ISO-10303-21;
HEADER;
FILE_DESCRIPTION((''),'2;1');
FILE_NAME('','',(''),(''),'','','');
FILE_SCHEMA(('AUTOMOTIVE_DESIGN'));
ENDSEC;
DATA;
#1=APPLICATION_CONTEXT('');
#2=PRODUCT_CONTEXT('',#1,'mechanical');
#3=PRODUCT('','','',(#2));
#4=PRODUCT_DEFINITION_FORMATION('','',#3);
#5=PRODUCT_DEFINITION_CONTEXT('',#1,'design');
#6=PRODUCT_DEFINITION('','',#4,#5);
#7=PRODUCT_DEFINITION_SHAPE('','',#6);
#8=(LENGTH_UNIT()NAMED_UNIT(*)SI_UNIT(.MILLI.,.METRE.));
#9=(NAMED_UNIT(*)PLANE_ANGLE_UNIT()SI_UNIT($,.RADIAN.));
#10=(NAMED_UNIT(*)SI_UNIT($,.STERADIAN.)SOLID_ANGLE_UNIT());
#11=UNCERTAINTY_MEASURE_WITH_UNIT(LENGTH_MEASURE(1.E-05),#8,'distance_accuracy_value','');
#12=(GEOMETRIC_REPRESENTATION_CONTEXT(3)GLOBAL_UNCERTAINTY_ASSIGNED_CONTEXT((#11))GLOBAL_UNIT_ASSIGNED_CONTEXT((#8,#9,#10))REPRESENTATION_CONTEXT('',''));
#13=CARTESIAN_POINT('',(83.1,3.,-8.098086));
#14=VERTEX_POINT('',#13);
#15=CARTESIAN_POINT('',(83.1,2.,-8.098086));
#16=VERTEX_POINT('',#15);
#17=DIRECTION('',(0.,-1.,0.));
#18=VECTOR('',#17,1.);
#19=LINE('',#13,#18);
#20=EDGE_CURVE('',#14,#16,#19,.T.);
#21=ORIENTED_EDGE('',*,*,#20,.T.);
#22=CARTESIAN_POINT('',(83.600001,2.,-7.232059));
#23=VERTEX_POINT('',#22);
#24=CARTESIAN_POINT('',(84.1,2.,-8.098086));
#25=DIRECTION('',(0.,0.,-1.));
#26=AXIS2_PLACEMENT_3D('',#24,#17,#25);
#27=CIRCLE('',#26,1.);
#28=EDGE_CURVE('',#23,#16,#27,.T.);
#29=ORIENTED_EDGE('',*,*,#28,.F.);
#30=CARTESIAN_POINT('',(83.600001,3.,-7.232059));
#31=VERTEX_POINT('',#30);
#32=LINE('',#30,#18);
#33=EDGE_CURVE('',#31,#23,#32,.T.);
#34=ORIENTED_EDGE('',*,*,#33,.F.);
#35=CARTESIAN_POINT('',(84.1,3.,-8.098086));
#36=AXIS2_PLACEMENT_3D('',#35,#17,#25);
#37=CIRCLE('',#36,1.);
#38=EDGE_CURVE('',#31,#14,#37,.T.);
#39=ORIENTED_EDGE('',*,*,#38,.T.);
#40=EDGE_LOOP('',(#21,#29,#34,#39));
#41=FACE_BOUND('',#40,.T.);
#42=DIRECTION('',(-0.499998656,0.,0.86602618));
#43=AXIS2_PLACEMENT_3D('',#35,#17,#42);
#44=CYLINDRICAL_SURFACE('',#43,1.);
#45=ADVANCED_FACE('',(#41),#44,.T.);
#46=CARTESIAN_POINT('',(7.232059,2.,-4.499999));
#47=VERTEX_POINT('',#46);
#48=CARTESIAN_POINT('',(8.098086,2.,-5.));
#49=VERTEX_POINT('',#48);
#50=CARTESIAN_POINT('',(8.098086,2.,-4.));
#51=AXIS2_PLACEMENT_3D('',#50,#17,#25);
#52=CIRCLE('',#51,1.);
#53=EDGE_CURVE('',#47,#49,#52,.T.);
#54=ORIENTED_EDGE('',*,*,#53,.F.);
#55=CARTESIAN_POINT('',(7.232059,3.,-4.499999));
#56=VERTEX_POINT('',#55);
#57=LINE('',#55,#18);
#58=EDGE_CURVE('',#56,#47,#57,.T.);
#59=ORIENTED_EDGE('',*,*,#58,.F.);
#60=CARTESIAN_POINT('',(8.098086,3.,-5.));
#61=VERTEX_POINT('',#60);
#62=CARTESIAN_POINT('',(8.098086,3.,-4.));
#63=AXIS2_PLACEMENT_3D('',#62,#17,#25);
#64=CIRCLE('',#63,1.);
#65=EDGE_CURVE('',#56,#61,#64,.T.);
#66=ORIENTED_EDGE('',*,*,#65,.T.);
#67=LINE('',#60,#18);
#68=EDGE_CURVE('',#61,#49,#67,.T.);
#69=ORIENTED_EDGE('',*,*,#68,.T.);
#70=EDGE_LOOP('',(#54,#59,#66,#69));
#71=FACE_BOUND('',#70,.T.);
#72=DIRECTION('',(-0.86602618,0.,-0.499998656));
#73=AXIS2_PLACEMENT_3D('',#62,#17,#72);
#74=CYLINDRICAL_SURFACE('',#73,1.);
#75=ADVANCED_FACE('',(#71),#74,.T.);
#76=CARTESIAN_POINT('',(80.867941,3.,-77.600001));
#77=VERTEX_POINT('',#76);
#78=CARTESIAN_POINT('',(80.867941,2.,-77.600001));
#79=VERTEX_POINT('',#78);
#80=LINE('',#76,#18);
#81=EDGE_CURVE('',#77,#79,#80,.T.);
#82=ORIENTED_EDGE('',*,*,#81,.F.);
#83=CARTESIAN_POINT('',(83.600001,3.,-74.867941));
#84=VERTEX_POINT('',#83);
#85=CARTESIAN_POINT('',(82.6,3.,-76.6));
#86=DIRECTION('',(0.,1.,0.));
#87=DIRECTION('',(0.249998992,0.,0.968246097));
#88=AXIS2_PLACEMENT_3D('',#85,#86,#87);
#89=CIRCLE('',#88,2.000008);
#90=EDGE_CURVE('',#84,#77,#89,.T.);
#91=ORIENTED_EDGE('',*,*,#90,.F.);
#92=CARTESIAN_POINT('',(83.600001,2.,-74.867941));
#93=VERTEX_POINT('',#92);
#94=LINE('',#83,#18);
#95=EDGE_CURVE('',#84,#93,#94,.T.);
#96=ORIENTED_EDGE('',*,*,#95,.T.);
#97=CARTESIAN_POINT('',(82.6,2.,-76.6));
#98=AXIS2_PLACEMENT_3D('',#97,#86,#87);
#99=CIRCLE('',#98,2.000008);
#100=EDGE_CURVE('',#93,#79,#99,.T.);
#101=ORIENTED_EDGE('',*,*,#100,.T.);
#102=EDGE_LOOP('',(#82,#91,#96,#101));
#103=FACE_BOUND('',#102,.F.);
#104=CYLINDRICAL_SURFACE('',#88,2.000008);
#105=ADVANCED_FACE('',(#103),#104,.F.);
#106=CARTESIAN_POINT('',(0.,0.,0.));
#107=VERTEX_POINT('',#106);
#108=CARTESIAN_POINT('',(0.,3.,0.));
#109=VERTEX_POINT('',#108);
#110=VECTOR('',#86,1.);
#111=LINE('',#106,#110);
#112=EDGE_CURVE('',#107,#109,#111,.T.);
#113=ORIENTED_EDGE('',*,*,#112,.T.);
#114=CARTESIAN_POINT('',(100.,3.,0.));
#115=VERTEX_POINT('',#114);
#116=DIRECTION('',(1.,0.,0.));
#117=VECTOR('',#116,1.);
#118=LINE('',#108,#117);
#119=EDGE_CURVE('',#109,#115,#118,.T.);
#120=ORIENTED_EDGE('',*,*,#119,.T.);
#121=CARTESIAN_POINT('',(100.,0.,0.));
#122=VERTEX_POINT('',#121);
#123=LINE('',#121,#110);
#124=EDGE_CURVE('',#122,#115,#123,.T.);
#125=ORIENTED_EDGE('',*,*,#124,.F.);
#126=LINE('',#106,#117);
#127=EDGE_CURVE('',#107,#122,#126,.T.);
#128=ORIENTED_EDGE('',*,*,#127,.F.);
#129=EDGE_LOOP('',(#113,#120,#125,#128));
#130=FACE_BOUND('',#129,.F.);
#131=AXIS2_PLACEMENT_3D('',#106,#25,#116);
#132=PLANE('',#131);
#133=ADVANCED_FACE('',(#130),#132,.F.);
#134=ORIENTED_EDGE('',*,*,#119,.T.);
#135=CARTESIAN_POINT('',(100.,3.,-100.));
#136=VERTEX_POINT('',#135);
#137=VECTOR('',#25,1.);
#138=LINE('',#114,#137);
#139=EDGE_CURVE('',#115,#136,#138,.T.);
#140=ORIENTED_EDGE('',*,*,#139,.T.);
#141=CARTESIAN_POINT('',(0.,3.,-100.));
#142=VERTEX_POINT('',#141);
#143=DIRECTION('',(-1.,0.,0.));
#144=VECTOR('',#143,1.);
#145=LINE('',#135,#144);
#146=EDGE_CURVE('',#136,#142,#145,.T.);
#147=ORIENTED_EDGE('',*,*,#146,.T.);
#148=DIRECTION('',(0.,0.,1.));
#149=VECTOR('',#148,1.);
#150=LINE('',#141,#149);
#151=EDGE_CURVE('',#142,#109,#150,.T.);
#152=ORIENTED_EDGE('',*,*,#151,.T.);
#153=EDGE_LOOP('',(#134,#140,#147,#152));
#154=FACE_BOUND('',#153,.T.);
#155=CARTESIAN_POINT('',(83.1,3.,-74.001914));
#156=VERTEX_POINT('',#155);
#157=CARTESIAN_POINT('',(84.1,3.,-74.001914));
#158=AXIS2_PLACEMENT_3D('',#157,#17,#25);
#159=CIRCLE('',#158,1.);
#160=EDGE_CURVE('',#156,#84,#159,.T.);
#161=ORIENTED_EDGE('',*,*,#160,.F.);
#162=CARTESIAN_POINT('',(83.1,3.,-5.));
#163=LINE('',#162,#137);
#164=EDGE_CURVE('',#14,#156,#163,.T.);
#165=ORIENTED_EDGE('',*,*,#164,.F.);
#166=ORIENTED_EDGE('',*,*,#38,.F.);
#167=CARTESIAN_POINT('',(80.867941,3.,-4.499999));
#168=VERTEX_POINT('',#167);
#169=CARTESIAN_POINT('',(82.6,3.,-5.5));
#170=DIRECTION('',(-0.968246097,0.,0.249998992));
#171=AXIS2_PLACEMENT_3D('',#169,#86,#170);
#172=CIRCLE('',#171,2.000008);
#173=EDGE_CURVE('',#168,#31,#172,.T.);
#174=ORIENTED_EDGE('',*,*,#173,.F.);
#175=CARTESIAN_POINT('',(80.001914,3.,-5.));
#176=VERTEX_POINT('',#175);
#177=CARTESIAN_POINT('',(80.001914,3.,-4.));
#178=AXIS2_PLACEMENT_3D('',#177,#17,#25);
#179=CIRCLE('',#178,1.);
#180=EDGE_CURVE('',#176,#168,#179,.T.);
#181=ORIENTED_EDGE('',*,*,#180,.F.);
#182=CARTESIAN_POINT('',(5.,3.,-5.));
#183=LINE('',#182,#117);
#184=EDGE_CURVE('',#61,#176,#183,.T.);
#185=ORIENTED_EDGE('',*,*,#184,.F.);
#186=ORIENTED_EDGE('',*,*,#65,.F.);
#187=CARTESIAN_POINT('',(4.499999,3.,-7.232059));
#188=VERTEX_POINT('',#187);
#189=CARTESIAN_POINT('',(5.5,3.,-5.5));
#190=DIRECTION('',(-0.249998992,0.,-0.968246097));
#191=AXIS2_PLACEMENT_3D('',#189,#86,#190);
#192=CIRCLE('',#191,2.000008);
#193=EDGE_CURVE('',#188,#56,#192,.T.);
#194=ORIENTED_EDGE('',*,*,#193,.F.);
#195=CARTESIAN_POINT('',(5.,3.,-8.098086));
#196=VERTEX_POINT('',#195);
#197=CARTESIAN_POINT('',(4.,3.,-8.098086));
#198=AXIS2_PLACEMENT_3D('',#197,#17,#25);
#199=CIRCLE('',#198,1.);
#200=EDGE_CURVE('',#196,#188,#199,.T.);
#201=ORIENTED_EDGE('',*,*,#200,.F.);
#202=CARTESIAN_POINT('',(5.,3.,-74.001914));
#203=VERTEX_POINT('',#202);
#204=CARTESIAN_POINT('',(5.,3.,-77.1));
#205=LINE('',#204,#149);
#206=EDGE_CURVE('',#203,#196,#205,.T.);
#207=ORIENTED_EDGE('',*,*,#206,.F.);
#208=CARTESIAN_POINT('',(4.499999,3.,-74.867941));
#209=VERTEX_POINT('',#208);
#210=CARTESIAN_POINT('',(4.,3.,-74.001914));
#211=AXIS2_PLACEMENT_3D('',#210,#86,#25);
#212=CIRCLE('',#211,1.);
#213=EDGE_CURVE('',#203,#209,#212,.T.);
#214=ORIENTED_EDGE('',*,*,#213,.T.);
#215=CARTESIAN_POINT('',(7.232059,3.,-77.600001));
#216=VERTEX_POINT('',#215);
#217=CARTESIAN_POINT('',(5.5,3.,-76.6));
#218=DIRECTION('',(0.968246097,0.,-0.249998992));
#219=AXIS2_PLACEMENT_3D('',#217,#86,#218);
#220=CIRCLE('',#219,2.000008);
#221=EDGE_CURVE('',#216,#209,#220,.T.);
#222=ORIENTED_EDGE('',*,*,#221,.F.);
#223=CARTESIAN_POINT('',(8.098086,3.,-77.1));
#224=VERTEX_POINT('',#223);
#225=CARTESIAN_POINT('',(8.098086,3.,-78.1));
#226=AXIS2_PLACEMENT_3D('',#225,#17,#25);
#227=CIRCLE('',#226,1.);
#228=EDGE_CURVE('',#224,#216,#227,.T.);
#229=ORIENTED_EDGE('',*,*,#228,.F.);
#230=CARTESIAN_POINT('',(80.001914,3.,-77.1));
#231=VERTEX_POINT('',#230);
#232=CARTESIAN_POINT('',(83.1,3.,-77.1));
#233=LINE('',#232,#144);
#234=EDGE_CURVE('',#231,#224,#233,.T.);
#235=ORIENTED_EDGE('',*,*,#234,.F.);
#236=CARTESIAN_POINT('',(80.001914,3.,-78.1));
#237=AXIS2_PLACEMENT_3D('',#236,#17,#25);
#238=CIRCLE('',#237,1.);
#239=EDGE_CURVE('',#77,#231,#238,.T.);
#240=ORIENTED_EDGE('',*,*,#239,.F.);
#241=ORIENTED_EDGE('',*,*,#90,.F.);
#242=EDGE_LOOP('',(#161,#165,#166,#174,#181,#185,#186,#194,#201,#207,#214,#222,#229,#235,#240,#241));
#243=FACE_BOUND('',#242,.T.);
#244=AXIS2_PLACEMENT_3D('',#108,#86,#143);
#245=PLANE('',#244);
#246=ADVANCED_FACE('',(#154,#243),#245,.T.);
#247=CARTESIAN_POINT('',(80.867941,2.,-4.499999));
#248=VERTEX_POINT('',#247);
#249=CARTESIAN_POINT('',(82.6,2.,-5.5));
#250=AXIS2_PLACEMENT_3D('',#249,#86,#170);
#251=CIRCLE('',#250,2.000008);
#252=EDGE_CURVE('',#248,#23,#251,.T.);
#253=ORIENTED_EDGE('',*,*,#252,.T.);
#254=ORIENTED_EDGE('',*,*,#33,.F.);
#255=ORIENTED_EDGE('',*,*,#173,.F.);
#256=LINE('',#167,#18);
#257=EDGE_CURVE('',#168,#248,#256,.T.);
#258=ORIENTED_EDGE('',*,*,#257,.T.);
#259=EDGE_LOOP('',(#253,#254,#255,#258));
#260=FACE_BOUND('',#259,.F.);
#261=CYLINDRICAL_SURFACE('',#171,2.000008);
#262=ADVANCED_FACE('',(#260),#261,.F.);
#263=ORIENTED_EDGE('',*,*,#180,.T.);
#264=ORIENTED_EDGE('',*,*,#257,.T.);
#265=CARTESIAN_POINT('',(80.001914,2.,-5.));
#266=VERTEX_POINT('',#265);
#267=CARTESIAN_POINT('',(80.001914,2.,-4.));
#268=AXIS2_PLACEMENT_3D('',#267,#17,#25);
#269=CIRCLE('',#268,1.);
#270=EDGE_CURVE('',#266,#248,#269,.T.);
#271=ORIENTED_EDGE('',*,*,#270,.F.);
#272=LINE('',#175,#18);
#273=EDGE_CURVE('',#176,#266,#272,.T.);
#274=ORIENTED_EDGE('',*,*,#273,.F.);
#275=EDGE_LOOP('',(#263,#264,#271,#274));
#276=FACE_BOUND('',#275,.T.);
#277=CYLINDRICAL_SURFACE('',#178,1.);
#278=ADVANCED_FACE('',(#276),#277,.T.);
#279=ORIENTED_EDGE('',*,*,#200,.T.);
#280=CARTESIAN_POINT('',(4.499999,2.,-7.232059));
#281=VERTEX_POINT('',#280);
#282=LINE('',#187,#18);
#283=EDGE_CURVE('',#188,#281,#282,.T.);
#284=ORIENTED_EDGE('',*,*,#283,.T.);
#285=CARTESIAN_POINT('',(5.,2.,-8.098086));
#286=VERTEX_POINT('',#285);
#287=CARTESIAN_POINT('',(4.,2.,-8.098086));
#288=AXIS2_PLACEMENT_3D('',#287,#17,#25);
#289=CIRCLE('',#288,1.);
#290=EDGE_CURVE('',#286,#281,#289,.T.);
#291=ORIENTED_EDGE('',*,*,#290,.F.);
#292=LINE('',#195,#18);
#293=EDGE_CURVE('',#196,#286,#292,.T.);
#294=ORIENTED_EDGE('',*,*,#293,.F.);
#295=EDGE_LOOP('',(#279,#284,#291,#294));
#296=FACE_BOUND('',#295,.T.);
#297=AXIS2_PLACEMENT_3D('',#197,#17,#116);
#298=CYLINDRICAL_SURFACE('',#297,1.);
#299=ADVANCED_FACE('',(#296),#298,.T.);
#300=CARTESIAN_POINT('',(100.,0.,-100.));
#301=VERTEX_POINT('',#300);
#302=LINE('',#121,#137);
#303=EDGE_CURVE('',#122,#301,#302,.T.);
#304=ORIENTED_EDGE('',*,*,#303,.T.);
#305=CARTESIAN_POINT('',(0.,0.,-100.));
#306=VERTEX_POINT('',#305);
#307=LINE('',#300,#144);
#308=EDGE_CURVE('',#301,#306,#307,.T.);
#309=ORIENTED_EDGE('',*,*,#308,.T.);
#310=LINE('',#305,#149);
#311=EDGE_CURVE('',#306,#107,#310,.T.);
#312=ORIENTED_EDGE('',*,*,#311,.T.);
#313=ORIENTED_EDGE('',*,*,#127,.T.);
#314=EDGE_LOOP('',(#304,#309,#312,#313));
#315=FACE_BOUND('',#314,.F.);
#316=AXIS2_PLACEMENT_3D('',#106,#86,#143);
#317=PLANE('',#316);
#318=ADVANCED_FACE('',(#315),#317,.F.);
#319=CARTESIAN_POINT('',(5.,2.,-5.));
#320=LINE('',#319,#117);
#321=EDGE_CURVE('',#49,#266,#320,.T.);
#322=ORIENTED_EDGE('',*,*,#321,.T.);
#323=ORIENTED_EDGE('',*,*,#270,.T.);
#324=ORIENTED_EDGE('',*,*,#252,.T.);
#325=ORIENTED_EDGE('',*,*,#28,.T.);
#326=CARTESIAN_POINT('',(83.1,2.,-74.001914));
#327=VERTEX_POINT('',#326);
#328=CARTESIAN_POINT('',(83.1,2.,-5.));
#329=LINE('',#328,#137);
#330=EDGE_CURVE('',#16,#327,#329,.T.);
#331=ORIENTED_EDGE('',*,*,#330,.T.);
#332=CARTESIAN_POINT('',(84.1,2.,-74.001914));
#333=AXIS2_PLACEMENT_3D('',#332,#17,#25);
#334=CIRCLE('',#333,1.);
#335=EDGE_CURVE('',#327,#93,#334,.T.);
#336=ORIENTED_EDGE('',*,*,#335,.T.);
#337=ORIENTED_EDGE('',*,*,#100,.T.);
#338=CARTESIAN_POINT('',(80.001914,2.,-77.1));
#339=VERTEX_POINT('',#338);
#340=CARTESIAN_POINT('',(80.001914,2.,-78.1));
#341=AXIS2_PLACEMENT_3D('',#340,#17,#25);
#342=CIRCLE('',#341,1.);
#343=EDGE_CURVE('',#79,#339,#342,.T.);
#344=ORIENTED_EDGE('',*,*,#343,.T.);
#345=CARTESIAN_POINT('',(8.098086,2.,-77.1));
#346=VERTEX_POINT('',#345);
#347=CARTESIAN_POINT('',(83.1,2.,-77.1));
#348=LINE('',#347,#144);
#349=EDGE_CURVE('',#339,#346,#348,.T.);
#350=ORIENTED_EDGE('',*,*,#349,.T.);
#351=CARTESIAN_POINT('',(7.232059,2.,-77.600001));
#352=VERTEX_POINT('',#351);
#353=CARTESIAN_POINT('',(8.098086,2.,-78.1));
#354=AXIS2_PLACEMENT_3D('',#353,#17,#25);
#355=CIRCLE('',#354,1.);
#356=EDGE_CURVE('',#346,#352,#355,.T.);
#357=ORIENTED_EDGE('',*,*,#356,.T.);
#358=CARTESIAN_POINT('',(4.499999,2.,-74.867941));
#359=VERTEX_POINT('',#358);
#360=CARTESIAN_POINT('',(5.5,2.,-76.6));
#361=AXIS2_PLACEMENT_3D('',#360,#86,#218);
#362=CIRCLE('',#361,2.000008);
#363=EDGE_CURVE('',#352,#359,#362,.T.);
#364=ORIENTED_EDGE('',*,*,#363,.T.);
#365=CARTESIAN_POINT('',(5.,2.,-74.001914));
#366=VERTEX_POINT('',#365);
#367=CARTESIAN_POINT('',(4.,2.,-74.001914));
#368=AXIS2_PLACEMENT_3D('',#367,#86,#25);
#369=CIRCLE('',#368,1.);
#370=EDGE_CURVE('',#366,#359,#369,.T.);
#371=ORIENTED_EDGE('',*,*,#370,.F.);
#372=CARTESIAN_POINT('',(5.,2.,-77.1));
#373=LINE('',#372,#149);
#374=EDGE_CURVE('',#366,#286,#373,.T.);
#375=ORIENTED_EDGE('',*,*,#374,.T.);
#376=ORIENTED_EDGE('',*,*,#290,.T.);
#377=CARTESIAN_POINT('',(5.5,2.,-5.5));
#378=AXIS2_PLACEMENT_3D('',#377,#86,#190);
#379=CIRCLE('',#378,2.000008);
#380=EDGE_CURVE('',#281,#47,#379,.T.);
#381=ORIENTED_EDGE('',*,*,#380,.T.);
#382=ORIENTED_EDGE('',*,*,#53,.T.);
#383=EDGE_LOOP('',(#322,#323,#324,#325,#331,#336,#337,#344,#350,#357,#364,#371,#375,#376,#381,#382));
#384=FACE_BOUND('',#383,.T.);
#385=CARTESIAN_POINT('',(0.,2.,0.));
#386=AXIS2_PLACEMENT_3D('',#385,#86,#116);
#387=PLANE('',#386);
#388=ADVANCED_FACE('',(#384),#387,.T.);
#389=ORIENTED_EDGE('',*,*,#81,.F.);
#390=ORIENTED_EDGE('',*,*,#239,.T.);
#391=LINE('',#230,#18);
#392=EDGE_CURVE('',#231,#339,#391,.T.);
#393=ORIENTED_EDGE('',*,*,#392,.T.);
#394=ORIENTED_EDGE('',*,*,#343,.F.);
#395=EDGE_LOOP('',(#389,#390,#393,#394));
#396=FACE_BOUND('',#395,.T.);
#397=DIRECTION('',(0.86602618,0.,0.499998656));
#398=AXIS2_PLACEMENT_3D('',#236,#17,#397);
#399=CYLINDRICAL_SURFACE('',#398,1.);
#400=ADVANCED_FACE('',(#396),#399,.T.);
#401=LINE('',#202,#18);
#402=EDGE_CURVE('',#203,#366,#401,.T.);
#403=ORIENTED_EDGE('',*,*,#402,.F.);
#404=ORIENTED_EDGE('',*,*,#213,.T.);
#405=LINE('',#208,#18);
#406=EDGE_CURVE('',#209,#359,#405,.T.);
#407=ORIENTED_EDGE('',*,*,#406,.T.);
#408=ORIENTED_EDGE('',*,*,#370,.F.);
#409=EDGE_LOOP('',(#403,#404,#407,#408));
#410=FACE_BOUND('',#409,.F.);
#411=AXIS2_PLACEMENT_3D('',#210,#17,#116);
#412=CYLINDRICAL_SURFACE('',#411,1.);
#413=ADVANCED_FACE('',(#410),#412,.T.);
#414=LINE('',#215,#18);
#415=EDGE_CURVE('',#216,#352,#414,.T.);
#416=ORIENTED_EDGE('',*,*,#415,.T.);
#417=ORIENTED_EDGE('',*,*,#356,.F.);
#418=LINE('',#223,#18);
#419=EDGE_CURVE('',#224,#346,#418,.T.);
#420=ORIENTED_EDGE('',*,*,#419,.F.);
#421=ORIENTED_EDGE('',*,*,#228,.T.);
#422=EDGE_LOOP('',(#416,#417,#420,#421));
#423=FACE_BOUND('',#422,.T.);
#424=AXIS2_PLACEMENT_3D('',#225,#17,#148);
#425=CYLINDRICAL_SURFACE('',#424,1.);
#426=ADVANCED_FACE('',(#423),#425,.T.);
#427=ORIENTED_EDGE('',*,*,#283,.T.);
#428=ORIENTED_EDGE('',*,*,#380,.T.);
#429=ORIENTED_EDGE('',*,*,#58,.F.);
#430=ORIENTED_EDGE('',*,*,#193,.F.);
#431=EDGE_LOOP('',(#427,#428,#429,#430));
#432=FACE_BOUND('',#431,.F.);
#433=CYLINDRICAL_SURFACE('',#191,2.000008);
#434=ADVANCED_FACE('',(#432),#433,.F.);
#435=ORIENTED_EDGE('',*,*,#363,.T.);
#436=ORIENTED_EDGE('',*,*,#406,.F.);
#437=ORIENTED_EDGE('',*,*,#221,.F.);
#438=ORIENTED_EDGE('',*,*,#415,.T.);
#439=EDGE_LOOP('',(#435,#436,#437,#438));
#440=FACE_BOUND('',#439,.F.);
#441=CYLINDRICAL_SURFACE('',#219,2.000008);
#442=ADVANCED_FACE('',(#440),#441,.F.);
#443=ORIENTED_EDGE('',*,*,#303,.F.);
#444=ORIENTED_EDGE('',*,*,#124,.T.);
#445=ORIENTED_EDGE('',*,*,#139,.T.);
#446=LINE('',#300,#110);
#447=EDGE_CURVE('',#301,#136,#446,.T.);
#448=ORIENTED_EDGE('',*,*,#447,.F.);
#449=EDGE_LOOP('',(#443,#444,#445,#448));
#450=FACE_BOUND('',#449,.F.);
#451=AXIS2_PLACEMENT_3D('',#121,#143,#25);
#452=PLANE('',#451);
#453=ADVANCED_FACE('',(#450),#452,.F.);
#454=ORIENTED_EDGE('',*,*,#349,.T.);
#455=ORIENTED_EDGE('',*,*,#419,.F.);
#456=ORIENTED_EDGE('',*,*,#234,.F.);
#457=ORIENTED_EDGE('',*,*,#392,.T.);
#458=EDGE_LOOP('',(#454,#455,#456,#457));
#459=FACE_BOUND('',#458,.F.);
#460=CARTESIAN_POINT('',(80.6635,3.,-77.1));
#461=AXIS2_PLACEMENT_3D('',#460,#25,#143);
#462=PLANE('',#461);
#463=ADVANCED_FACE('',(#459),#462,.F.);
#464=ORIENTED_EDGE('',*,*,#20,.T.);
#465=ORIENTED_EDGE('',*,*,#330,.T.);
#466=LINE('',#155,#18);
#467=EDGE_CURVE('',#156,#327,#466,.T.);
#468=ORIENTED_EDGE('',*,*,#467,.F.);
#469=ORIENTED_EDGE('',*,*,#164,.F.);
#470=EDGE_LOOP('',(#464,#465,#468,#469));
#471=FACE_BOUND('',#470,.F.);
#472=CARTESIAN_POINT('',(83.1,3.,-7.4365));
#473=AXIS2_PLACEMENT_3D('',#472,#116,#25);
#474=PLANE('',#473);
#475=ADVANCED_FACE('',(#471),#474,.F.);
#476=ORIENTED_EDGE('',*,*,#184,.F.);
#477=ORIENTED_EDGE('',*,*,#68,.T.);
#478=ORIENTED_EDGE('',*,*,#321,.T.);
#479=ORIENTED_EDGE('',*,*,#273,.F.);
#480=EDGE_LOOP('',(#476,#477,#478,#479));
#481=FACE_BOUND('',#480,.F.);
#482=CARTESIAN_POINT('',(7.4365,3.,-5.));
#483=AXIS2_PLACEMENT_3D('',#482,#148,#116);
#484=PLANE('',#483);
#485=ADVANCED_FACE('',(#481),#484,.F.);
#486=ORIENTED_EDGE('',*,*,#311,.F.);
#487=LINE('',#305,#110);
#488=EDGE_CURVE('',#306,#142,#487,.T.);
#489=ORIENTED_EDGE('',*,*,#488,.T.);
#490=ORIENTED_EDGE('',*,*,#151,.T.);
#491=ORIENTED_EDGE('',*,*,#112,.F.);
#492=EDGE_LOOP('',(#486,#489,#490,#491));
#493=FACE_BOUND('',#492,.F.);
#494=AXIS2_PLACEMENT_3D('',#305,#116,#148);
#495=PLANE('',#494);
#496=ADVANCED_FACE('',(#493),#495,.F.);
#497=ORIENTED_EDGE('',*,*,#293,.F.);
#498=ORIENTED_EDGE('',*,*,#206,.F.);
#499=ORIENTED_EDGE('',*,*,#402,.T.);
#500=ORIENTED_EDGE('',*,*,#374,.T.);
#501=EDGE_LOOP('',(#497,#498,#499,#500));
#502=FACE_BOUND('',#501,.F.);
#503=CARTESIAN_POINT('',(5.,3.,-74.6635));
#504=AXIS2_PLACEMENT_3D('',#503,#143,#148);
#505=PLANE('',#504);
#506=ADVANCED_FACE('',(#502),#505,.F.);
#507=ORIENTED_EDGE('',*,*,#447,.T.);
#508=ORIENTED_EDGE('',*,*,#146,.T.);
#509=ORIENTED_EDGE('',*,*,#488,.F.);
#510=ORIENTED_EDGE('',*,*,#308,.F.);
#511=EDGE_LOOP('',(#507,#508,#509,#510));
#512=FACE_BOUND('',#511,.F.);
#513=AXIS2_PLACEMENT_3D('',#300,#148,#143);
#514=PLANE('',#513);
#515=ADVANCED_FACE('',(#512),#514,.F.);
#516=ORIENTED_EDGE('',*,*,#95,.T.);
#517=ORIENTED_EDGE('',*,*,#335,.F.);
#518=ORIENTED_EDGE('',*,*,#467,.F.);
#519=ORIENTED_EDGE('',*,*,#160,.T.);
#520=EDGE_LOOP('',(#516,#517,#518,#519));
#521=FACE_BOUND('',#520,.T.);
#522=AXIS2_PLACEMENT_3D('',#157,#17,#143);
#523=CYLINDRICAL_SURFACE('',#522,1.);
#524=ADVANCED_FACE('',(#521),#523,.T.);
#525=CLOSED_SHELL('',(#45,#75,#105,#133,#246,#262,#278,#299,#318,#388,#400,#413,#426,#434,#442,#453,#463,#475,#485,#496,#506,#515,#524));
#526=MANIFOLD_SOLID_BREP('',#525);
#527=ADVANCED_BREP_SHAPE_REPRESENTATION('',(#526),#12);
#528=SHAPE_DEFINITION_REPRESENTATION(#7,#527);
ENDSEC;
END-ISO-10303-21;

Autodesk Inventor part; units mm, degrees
ref_plane "YZ Plane" through (0, 0, 0) normal (1, 0, 0) x (0, 1, 0)
ref_plane "XZ Plane" through (0, 0, 0) normal (0, 1, 0) x (-1, 0, 0)
ref_plane "XY Plane" through (0, 0, 0) normal (0, 0, 1) x (1, 0, 0)
sketch "Sketch1" plane through (0, 0, 0) normal (0, 1, 0) x (-1, 0, 0)
  line L0 (0, 0) -> (-100, 0)
  line L1 (-100, 0) -> (-100, -100)
  line L2 (-100, -100) -> (0, -100)
  line L3 (0, -100) -> (0, 0)
  dimension "d0" = 100
  dimension "d1" = 100
extrude "Extrusion1" add sketch "Sketch1" along normal blind 3
sketch "Sketch2" plane through (0, 3, 0) normal (0, 1, 0) x (1, 0, 0)
  line L0 (5, 5) -> (83.1, 5)
  line L1 (83.1, 5) -> (83.1, 77.1)
  line L2 (83.1, 77.1) -> (5, 77.1)
  line L3 (5, 77.1) -> (5, 5)
  line L4 (0, 0) -> (100, 0) projected
  line L5 (0, 100) -> (0, 0) projected
  arc A0 (5, 7.4365) -> (7.4365, 5) centre (5.5, 5.5) ccw
  line L6 (44.05, 77.1) -> (44.05, 5) construction
  line L7 (5, 41.05) -> (83.1, 41.05) construction
  arc A1 (80.6635, 5) -> (83.1, 7.4365) centre (82.6, 5.5) ccw
  arc A2 (7.4365, 77.1) -> (5, 74.6635) centre (5.5, 76.6) ccw
  arc A3 (83.1, 74.6635) -> (80.6635, 77.1) centre (82.6, 76.6) ccw
  point P0 (80.6635, 5)
  point P1 (83.1, 7.4365)
  point P2 (83.1, 74.6635)
  point P3 (80.6635, 77.1)
  point P4 (7.4365, 77.1)
  point P5 (5, 74.6635)
  dimension "d4" = 78.1
  dimension "d5" = 72.1
  dimension "d6" = 5
  dimension "d7" = 5
  dimension "d10" = 0.5
  dimension "d11" = 0.5
  dimension "d12" = 2
extrude "Extrusion2" cut sketch "Sketch2" against normal blind 1
fillet "Fillet1" radius 1 8 edges at (5, 2.5, -7.4365) (7.4365, 2.5, -5) (83.1, 2.5, -7.4365) (80.6635, 2.5, -5) (83.1, 2.5, -74.6635) (80.6635, 2.5, -77.1) (7.4365, 2.5, -77.1) (5, 2.5, -74.6635)
